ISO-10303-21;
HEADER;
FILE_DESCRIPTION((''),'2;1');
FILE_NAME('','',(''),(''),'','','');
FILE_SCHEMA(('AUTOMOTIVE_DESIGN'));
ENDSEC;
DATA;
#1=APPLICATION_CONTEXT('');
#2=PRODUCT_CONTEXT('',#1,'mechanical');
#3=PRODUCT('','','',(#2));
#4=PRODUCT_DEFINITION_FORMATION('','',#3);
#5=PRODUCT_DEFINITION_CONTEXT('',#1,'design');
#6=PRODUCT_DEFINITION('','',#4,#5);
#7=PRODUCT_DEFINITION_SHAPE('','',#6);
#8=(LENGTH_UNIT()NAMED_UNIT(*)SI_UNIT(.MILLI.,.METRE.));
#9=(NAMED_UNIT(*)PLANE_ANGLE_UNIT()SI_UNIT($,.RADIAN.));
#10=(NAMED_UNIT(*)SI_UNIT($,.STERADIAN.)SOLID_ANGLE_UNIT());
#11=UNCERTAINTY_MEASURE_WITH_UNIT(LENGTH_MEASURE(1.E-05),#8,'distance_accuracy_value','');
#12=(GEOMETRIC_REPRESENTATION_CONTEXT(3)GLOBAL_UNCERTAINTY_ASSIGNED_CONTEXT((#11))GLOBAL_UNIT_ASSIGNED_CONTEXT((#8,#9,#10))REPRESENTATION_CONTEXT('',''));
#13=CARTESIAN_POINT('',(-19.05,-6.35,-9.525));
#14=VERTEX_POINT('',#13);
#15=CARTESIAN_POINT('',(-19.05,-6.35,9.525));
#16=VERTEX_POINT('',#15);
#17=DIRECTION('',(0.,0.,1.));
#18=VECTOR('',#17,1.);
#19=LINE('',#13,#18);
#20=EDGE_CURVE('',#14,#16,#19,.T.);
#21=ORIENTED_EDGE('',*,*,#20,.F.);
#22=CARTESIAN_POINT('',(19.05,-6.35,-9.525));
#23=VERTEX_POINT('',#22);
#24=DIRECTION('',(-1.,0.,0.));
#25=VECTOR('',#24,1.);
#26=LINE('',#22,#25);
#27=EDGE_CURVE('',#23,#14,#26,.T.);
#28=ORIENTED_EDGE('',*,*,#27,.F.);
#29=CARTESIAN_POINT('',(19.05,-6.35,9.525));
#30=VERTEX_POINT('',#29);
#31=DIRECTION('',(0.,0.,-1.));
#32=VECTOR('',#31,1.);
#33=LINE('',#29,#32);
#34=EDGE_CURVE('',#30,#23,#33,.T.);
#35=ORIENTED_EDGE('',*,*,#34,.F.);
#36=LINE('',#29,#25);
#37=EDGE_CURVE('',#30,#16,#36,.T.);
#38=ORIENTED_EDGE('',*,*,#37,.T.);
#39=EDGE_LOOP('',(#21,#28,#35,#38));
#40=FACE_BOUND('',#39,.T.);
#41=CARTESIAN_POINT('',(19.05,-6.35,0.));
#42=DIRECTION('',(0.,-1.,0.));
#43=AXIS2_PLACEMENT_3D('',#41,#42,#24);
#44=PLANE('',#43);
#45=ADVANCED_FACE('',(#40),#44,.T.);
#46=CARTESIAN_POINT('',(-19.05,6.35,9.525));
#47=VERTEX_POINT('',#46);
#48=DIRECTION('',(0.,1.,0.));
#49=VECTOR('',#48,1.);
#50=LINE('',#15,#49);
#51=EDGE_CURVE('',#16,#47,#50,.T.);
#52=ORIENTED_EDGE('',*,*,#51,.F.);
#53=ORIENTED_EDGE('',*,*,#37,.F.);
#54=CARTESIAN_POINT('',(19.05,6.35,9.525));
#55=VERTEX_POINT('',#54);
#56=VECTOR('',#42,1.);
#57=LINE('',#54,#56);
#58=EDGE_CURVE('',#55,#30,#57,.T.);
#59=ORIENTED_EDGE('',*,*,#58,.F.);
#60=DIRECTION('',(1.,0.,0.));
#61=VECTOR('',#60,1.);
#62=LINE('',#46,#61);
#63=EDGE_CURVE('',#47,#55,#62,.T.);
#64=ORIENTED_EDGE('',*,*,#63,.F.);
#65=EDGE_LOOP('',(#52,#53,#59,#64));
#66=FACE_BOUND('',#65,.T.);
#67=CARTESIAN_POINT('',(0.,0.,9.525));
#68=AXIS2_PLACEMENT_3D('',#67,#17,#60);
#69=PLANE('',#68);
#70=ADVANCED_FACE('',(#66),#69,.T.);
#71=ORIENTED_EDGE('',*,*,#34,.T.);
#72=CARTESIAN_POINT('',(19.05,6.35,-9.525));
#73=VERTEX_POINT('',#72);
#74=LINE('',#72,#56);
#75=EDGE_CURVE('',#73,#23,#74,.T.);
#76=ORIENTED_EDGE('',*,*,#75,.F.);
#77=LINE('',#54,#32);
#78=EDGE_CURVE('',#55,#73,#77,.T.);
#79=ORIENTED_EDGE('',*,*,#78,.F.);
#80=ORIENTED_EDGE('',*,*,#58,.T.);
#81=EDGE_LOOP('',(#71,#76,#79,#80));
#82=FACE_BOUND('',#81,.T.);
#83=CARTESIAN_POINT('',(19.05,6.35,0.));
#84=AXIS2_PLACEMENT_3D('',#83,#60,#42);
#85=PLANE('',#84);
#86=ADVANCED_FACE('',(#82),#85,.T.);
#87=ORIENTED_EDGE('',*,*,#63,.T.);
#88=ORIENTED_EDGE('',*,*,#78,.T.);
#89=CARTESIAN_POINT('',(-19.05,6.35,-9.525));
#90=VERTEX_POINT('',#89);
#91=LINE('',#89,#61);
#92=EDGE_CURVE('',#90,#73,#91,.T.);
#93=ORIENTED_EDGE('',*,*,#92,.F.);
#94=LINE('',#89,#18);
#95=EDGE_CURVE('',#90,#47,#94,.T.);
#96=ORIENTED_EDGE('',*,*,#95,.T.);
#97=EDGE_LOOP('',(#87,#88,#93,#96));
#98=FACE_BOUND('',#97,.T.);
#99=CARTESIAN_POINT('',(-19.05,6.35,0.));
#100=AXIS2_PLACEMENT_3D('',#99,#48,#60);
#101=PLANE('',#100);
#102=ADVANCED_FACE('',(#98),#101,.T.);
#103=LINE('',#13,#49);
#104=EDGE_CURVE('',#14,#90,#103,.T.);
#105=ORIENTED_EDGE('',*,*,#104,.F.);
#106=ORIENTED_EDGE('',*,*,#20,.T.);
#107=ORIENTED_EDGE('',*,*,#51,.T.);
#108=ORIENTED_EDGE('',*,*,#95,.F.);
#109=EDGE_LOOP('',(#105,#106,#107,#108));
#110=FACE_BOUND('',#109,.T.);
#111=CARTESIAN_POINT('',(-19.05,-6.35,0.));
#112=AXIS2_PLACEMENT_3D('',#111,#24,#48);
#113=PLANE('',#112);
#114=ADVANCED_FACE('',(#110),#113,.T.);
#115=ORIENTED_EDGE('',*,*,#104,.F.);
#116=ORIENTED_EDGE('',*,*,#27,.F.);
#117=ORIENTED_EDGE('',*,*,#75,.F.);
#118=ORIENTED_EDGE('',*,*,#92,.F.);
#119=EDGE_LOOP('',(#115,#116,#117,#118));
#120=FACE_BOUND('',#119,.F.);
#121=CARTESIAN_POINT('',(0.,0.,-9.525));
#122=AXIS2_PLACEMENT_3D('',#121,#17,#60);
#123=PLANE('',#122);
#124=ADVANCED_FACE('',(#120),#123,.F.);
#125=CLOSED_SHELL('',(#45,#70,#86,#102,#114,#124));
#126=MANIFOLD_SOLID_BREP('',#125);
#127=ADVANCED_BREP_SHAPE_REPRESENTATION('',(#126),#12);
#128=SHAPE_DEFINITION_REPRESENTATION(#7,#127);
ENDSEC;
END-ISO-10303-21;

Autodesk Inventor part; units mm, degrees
ref_plane "YZ Plane" through (0, 0, 0) normal (1, 0, 0) x (0, 1, 0)
ref_plane "XZ Plane" through (0, 0, 0) normal (0, 1, 0) x (-1, 0, 0)
ref_plane "XY Plane" through (0, 0, 0) normal (0, 0, 1) x (1, 0, 0)
sketch "Sketch1" plane through (0, 0, 0) normal (0, 0, 1) x (1, 0, 0)
  line L0 (-19.05, 6.35) -> (19.05, 6.35)
  line L1 (19.05, 6.35) -> (19.05, -6.35)
  line L2 (19.05, -6.35) -> (-19.05, -6.35)
  line L3 (-19.05, -6.35) -> (-19.05, 6.35)
  line L4 (-19.05, -6.35) -> (19.05, 6.35) construction
  point P0 (0, 0)
  point P1 (0, 0)
  dimension "d0" = 38.1
  dimension "d1" = 12.7
extrude "Extrusion1" add sketch "Sketch1" along normal mid plane 19.05
properties part number "FrameBlock"
